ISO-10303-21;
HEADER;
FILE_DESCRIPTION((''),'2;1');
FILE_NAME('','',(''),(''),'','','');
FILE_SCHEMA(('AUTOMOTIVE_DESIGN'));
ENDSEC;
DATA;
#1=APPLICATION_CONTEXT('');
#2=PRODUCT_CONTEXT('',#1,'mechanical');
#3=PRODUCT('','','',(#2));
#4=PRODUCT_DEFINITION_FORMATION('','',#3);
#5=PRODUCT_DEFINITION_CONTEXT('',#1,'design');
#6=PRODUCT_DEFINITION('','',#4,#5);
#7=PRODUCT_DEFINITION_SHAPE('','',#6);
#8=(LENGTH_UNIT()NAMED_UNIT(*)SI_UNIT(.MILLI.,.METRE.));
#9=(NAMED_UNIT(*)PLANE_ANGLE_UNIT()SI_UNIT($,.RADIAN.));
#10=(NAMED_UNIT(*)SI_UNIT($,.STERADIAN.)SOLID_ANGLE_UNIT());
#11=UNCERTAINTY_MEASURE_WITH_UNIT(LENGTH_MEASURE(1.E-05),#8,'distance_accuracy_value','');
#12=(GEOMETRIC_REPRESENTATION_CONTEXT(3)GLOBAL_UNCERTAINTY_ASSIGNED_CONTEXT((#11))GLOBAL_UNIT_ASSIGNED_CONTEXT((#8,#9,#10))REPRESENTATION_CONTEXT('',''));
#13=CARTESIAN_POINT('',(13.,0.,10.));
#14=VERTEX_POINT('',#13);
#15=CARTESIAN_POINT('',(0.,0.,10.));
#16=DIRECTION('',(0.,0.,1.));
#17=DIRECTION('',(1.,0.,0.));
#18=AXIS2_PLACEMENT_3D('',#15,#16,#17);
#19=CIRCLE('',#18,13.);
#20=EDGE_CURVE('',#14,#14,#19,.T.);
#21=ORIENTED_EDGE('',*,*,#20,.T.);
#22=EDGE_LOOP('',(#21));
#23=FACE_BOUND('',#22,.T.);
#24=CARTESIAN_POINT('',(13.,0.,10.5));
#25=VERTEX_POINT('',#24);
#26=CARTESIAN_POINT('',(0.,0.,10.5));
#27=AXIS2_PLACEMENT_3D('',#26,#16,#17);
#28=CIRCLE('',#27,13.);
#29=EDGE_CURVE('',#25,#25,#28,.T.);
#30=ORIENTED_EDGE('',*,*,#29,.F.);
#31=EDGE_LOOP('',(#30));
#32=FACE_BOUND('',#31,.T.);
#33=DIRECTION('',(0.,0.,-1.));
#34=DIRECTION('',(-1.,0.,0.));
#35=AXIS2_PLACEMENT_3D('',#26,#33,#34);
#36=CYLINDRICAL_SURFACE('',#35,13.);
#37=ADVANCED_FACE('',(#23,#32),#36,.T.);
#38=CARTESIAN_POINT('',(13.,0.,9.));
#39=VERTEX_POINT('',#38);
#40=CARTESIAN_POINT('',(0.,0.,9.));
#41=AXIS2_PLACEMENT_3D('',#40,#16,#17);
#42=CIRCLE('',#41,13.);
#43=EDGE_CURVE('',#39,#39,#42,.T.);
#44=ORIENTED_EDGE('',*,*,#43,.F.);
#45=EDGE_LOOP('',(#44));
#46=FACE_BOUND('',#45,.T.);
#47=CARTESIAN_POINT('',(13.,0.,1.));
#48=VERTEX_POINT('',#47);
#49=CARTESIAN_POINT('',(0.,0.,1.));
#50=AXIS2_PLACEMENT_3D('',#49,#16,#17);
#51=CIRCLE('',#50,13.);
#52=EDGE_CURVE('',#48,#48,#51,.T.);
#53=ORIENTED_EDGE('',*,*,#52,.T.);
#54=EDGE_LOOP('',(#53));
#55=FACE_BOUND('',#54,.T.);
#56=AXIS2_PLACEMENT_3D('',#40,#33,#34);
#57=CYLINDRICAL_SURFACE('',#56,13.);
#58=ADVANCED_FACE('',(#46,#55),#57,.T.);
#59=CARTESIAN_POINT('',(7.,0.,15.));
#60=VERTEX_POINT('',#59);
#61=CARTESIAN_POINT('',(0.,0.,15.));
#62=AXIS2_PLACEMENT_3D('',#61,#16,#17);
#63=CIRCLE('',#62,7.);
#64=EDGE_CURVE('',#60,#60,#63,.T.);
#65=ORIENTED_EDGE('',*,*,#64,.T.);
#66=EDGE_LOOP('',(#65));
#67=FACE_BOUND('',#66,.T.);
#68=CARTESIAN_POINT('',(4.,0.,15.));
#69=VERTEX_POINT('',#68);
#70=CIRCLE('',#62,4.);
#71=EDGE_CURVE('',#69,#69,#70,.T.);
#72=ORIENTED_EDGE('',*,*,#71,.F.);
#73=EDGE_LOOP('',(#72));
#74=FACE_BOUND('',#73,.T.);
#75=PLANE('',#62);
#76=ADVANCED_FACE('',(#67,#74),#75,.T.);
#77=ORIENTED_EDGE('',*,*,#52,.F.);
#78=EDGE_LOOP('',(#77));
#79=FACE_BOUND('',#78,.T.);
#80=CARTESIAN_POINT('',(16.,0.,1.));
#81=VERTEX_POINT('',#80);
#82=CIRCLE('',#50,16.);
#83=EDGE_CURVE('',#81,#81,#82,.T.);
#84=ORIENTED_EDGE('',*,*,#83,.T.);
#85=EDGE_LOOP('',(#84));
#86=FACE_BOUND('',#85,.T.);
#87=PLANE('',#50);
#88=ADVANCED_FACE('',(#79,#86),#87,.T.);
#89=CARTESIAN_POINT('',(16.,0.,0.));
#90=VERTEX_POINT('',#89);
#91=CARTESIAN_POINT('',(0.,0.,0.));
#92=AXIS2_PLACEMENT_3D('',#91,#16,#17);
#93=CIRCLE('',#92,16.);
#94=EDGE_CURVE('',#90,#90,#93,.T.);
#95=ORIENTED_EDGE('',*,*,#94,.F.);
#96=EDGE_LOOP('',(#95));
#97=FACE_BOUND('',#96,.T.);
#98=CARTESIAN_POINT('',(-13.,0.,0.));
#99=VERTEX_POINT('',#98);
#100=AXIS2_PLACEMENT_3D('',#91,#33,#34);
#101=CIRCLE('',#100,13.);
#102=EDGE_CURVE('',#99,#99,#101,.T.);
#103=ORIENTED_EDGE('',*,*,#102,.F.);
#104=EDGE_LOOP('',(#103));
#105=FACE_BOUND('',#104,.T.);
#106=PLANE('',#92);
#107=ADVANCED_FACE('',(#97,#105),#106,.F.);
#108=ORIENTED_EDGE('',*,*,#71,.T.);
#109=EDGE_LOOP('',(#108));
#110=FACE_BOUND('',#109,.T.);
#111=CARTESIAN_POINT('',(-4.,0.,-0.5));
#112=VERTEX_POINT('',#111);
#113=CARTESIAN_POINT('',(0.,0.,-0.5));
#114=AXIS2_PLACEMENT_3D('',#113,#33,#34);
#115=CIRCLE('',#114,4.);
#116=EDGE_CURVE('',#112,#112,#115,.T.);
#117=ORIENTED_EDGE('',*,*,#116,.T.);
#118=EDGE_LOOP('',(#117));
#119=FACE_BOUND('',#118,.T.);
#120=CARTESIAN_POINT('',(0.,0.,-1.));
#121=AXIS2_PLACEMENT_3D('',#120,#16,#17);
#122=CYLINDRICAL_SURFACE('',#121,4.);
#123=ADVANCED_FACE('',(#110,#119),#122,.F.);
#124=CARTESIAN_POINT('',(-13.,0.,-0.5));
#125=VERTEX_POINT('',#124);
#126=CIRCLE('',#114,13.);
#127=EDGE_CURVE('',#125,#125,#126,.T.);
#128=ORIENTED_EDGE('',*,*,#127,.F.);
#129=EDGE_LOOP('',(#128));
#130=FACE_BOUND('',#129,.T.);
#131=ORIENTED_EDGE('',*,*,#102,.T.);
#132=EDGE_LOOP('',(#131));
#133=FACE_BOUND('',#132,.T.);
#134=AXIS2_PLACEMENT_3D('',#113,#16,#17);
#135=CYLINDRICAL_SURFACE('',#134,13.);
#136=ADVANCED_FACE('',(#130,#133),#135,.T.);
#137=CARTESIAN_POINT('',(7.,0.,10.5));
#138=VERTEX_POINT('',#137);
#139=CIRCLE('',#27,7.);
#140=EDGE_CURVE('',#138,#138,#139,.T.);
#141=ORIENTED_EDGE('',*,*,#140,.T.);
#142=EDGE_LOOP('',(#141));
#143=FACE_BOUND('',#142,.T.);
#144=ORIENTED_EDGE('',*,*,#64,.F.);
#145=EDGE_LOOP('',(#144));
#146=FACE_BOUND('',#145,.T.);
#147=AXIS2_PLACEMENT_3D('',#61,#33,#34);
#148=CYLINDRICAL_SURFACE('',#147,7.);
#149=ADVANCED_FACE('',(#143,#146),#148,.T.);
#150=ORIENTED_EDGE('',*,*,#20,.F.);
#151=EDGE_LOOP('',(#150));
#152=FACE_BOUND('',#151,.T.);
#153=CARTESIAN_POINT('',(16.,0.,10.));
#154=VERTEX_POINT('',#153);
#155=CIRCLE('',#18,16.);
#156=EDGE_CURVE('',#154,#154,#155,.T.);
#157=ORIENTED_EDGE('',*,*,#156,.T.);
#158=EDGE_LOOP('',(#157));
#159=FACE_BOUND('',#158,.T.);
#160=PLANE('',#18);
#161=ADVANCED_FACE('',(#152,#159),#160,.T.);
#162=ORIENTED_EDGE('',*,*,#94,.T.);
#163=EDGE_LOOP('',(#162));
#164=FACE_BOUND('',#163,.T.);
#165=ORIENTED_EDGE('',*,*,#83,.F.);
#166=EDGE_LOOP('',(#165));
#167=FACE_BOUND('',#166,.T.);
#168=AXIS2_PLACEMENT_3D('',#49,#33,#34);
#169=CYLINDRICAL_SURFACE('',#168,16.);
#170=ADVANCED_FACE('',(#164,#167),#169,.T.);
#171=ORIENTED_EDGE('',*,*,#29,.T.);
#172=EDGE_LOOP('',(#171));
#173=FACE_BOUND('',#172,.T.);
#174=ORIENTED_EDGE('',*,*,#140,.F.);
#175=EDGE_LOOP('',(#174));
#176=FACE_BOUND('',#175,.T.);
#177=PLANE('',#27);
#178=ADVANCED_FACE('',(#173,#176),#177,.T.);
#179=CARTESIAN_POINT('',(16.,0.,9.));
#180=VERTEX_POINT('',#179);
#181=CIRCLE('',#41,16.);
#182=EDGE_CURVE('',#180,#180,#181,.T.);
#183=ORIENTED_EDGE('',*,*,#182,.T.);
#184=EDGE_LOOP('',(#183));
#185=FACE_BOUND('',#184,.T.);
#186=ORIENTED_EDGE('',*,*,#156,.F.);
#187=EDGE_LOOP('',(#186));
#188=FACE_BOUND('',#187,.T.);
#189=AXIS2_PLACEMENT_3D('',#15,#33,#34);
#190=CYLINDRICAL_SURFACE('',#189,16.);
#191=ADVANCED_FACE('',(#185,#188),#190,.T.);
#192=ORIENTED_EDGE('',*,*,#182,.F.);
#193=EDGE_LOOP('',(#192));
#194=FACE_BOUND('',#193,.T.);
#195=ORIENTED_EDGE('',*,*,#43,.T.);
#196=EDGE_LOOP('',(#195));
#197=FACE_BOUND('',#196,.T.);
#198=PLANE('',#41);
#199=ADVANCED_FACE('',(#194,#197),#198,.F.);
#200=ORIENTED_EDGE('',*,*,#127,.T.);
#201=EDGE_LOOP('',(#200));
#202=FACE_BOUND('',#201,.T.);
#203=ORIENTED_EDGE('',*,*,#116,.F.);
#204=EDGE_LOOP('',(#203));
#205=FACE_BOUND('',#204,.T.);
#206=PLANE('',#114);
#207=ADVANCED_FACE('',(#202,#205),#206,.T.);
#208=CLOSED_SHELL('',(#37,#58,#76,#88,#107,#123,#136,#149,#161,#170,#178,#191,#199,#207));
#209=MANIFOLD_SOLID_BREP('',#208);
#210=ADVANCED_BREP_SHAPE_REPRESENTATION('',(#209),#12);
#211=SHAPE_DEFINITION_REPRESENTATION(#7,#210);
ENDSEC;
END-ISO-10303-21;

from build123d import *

# Parameters (mm, degrees)
ESQUISSE1_R             = 16
BOSS_EXTRU_1_DEPTH      = 1
ESQUISSE2_R             = 13
BOSS_EXTRU_2_DEPTH      = 8
ESQUISSE3_R             = 16
BOSS_EXTRU_3_DEPTH      = 1
ESQUISSE4_R             = 7
BOSS_EXTRU_4_DEPTH      = 5
ESQUISSE6_R             = 13
BOSS_EXTRU_5_DEPTH      = 0.5
ESQUISSE7_R             = 13
BOSS_EXTRU_6_DEPTH      = 0.5
ESQUISSE8_R             = 4
ENL_V_MAT_EXTRU_2_DEPTH = 16


with BuildPart() as part:
    # Esquisse1 → Boss.-Extru.1 (new body)
    with BuildSketch(Plane.XY):
        Circle(ESQUISSE1_R)
    extrude(amount=BOSS_EXTRU_1_DEPTH)

    # Esquisse2 → Boss.-Extru.2 (add)
    with BuildSketch(Plane.XY.offset(1)):
        Circle(ESQUISSE2_R)
    extrude(amount=BOSS_EXTRU_2_DEPTH)

    # Esquisse3 → Boss.-Extru.3 (add)
    with BuildSketch(Plane.XY.offset(9)):
        Circle(ESQUISSE3_R)
    extrude(amount=BOSS_EXTRU_3_DEPTH)

    # Esquisse4 → Boss.-Extru.4 (add)
    with BuildSketch(Plane.XY.offset(10)):
        Circle(ESQUISSE4_R)
    extrude(amount=BOSS_EXTRU_4_DEPTH)

    # Esquisse6 → Boss.-Extru.5 (add)
    with BuildSketch(Plane.XY.offset(10)):
        Circle(ESQUISSE6_R)
    extrude(amount=BOSS_EXTRU_5_DEPTH)

    # Esquisse7 → Boss.-Extru.6 (add)
    with BuildSketch(Plane(origin=(0, 0, 0), x_dir=(-1, 0, 0), z_dir=(0, 0, -1))):
        Circle(ESQUISSE7_R)
    extrude(amount=BOSS_EXTRU_6_DEPTH)

    # Esquisse8 → Enlèv. mat.-Extru.2 (cut)
    with BuildSketch(Plane.XY.offset(15)):
        Circle(ESQUISSE8_R)
    extrude(amount=-ENL_V_MAT_EXTRU_2_DEPTH, mode=Mode.SUBTRACT)


solid = part.part
